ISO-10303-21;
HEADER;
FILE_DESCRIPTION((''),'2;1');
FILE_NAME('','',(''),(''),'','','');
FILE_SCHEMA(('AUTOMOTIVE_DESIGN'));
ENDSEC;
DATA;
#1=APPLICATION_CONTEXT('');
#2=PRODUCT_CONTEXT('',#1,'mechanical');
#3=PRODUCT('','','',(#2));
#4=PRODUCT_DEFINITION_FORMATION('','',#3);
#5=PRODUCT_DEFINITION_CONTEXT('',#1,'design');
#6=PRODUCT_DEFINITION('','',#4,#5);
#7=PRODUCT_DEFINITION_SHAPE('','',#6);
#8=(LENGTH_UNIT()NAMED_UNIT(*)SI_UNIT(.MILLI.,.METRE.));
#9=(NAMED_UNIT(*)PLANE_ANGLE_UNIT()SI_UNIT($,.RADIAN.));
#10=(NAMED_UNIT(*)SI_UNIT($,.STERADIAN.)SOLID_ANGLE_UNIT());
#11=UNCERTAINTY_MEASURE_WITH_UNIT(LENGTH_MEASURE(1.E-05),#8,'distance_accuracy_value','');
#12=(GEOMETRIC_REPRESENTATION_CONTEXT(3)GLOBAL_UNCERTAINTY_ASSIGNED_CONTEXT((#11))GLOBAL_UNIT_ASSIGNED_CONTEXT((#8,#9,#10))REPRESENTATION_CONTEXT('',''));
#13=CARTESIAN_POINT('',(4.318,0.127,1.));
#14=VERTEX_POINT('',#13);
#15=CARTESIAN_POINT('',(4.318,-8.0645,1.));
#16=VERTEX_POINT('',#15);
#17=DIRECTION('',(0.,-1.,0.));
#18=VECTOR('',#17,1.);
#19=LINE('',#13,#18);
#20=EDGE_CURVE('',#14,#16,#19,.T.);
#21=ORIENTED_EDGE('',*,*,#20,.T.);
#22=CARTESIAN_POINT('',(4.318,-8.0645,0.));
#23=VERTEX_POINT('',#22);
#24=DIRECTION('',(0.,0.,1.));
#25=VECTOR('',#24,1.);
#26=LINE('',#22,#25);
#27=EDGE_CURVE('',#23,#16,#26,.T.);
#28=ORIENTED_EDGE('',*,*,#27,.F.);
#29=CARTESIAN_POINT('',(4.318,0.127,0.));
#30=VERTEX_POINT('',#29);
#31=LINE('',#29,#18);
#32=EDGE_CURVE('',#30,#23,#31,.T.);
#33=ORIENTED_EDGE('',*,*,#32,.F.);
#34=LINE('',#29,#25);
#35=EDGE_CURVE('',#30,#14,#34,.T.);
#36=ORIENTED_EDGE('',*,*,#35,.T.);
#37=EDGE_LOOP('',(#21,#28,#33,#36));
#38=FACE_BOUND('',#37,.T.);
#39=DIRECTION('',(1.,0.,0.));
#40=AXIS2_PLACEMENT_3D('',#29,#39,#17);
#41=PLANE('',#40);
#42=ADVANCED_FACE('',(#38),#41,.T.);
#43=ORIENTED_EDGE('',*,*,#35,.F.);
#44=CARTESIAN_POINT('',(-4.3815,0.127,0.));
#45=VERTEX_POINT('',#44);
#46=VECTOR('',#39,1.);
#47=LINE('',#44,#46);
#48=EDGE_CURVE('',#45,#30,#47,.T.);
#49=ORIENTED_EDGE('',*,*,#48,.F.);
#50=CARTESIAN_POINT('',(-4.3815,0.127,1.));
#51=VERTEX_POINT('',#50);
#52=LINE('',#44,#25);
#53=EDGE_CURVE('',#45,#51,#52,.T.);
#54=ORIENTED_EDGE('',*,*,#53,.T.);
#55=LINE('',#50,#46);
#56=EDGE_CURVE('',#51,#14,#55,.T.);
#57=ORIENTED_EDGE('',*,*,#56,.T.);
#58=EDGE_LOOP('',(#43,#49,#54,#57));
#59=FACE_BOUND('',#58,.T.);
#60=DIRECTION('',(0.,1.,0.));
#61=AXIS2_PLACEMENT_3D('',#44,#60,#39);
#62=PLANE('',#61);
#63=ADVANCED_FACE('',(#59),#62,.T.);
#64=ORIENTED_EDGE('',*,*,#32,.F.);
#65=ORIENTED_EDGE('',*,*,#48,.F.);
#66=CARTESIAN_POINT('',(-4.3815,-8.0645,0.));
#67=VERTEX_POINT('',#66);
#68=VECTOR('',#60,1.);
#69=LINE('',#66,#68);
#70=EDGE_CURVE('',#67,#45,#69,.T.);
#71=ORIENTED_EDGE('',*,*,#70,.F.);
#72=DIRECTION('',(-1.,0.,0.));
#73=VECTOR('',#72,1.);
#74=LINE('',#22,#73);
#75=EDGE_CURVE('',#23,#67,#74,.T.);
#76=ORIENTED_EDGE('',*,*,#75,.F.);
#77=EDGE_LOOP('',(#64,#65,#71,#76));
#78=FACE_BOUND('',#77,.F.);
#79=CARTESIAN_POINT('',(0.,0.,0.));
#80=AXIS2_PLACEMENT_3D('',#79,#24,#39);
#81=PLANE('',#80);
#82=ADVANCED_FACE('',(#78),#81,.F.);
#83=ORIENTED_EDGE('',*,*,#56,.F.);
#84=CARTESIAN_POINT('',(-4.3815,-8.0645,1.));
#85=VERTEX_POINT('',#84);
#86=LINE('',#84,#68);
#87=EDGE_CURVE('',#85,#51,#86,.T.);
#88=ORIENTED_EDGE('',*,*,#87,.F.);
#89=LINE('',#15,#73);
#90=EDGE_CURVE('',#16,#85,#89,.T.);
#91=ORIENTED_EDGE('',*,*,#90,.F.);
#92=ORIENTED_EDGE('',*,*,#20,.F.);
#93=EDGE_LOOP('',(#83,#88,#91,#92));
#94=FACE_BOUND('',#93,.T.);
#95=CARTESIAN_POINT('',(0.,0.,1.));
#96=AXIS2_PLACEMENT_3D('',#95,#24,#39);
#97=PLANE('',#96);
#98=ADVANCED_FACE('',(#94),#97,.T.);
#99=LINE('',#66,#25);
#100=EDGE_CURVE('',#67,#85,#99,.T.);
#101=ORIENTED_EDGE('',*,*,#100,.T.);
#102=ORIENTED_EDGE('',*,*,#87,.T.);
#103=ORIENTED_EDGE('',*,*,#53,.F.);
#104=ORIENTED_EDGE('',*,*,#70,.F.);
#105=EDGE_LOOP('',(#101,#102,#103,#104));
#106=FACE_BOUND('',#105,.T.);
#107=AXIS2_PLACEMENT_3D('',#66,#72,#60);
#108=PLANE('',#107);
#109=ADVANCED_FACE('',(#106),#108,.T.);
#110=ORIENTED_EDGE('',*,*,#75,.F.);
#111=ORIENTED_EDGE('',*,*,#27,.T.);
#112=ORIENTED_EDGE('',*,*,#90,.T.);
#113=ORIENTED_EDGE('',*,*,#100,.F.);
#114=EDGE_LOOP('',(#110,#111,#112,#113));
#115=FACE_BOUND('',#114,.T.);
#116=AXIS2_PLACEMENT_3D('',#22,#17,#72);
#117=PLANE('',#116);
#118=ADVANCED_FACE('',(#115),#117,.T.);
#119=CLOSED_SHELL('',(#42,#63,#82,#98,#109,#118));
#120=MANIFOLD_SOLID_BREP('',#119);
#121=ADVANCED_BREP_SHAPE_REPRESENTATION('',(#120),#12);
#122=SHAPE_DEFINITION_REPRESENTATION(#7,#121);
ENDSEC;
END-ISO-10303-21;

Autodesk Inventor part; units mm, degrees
ref_plane "YZ Plane" through (0, 0, 0) normal (1, 0, 0) x (0, 1, 0)
ref_plane "XZ Plane" through (0, 0, 0) normal (0, 1, 0) x (-1, 0, 0)
ref_plane "XY Plane" through (0, 0, 0) normal (0, 0, 1) x (1, 0, 0)
sketch "GBA-LINK, GBA-LINK_1" plane through (0, 0, 0) normal (0, 0, 1) x (1, 0, 0)
  line L0 (-4.3815, 0.127) -> (4.318, 0.127)
  line L1 (4.318, 0.127) -> (4.318, -8.0645)
  line L2 (4.318, -8.0645) -> (-4.3815, -8.0645)
  line L3 (-4.3815, -8.0645) -> (-4.3815, 0.127)
extrude "Extrusion1" add sketch "GBA-LINK, GBA-LINK_1" along normal blind 1
properties part number "GBA-LINK"
